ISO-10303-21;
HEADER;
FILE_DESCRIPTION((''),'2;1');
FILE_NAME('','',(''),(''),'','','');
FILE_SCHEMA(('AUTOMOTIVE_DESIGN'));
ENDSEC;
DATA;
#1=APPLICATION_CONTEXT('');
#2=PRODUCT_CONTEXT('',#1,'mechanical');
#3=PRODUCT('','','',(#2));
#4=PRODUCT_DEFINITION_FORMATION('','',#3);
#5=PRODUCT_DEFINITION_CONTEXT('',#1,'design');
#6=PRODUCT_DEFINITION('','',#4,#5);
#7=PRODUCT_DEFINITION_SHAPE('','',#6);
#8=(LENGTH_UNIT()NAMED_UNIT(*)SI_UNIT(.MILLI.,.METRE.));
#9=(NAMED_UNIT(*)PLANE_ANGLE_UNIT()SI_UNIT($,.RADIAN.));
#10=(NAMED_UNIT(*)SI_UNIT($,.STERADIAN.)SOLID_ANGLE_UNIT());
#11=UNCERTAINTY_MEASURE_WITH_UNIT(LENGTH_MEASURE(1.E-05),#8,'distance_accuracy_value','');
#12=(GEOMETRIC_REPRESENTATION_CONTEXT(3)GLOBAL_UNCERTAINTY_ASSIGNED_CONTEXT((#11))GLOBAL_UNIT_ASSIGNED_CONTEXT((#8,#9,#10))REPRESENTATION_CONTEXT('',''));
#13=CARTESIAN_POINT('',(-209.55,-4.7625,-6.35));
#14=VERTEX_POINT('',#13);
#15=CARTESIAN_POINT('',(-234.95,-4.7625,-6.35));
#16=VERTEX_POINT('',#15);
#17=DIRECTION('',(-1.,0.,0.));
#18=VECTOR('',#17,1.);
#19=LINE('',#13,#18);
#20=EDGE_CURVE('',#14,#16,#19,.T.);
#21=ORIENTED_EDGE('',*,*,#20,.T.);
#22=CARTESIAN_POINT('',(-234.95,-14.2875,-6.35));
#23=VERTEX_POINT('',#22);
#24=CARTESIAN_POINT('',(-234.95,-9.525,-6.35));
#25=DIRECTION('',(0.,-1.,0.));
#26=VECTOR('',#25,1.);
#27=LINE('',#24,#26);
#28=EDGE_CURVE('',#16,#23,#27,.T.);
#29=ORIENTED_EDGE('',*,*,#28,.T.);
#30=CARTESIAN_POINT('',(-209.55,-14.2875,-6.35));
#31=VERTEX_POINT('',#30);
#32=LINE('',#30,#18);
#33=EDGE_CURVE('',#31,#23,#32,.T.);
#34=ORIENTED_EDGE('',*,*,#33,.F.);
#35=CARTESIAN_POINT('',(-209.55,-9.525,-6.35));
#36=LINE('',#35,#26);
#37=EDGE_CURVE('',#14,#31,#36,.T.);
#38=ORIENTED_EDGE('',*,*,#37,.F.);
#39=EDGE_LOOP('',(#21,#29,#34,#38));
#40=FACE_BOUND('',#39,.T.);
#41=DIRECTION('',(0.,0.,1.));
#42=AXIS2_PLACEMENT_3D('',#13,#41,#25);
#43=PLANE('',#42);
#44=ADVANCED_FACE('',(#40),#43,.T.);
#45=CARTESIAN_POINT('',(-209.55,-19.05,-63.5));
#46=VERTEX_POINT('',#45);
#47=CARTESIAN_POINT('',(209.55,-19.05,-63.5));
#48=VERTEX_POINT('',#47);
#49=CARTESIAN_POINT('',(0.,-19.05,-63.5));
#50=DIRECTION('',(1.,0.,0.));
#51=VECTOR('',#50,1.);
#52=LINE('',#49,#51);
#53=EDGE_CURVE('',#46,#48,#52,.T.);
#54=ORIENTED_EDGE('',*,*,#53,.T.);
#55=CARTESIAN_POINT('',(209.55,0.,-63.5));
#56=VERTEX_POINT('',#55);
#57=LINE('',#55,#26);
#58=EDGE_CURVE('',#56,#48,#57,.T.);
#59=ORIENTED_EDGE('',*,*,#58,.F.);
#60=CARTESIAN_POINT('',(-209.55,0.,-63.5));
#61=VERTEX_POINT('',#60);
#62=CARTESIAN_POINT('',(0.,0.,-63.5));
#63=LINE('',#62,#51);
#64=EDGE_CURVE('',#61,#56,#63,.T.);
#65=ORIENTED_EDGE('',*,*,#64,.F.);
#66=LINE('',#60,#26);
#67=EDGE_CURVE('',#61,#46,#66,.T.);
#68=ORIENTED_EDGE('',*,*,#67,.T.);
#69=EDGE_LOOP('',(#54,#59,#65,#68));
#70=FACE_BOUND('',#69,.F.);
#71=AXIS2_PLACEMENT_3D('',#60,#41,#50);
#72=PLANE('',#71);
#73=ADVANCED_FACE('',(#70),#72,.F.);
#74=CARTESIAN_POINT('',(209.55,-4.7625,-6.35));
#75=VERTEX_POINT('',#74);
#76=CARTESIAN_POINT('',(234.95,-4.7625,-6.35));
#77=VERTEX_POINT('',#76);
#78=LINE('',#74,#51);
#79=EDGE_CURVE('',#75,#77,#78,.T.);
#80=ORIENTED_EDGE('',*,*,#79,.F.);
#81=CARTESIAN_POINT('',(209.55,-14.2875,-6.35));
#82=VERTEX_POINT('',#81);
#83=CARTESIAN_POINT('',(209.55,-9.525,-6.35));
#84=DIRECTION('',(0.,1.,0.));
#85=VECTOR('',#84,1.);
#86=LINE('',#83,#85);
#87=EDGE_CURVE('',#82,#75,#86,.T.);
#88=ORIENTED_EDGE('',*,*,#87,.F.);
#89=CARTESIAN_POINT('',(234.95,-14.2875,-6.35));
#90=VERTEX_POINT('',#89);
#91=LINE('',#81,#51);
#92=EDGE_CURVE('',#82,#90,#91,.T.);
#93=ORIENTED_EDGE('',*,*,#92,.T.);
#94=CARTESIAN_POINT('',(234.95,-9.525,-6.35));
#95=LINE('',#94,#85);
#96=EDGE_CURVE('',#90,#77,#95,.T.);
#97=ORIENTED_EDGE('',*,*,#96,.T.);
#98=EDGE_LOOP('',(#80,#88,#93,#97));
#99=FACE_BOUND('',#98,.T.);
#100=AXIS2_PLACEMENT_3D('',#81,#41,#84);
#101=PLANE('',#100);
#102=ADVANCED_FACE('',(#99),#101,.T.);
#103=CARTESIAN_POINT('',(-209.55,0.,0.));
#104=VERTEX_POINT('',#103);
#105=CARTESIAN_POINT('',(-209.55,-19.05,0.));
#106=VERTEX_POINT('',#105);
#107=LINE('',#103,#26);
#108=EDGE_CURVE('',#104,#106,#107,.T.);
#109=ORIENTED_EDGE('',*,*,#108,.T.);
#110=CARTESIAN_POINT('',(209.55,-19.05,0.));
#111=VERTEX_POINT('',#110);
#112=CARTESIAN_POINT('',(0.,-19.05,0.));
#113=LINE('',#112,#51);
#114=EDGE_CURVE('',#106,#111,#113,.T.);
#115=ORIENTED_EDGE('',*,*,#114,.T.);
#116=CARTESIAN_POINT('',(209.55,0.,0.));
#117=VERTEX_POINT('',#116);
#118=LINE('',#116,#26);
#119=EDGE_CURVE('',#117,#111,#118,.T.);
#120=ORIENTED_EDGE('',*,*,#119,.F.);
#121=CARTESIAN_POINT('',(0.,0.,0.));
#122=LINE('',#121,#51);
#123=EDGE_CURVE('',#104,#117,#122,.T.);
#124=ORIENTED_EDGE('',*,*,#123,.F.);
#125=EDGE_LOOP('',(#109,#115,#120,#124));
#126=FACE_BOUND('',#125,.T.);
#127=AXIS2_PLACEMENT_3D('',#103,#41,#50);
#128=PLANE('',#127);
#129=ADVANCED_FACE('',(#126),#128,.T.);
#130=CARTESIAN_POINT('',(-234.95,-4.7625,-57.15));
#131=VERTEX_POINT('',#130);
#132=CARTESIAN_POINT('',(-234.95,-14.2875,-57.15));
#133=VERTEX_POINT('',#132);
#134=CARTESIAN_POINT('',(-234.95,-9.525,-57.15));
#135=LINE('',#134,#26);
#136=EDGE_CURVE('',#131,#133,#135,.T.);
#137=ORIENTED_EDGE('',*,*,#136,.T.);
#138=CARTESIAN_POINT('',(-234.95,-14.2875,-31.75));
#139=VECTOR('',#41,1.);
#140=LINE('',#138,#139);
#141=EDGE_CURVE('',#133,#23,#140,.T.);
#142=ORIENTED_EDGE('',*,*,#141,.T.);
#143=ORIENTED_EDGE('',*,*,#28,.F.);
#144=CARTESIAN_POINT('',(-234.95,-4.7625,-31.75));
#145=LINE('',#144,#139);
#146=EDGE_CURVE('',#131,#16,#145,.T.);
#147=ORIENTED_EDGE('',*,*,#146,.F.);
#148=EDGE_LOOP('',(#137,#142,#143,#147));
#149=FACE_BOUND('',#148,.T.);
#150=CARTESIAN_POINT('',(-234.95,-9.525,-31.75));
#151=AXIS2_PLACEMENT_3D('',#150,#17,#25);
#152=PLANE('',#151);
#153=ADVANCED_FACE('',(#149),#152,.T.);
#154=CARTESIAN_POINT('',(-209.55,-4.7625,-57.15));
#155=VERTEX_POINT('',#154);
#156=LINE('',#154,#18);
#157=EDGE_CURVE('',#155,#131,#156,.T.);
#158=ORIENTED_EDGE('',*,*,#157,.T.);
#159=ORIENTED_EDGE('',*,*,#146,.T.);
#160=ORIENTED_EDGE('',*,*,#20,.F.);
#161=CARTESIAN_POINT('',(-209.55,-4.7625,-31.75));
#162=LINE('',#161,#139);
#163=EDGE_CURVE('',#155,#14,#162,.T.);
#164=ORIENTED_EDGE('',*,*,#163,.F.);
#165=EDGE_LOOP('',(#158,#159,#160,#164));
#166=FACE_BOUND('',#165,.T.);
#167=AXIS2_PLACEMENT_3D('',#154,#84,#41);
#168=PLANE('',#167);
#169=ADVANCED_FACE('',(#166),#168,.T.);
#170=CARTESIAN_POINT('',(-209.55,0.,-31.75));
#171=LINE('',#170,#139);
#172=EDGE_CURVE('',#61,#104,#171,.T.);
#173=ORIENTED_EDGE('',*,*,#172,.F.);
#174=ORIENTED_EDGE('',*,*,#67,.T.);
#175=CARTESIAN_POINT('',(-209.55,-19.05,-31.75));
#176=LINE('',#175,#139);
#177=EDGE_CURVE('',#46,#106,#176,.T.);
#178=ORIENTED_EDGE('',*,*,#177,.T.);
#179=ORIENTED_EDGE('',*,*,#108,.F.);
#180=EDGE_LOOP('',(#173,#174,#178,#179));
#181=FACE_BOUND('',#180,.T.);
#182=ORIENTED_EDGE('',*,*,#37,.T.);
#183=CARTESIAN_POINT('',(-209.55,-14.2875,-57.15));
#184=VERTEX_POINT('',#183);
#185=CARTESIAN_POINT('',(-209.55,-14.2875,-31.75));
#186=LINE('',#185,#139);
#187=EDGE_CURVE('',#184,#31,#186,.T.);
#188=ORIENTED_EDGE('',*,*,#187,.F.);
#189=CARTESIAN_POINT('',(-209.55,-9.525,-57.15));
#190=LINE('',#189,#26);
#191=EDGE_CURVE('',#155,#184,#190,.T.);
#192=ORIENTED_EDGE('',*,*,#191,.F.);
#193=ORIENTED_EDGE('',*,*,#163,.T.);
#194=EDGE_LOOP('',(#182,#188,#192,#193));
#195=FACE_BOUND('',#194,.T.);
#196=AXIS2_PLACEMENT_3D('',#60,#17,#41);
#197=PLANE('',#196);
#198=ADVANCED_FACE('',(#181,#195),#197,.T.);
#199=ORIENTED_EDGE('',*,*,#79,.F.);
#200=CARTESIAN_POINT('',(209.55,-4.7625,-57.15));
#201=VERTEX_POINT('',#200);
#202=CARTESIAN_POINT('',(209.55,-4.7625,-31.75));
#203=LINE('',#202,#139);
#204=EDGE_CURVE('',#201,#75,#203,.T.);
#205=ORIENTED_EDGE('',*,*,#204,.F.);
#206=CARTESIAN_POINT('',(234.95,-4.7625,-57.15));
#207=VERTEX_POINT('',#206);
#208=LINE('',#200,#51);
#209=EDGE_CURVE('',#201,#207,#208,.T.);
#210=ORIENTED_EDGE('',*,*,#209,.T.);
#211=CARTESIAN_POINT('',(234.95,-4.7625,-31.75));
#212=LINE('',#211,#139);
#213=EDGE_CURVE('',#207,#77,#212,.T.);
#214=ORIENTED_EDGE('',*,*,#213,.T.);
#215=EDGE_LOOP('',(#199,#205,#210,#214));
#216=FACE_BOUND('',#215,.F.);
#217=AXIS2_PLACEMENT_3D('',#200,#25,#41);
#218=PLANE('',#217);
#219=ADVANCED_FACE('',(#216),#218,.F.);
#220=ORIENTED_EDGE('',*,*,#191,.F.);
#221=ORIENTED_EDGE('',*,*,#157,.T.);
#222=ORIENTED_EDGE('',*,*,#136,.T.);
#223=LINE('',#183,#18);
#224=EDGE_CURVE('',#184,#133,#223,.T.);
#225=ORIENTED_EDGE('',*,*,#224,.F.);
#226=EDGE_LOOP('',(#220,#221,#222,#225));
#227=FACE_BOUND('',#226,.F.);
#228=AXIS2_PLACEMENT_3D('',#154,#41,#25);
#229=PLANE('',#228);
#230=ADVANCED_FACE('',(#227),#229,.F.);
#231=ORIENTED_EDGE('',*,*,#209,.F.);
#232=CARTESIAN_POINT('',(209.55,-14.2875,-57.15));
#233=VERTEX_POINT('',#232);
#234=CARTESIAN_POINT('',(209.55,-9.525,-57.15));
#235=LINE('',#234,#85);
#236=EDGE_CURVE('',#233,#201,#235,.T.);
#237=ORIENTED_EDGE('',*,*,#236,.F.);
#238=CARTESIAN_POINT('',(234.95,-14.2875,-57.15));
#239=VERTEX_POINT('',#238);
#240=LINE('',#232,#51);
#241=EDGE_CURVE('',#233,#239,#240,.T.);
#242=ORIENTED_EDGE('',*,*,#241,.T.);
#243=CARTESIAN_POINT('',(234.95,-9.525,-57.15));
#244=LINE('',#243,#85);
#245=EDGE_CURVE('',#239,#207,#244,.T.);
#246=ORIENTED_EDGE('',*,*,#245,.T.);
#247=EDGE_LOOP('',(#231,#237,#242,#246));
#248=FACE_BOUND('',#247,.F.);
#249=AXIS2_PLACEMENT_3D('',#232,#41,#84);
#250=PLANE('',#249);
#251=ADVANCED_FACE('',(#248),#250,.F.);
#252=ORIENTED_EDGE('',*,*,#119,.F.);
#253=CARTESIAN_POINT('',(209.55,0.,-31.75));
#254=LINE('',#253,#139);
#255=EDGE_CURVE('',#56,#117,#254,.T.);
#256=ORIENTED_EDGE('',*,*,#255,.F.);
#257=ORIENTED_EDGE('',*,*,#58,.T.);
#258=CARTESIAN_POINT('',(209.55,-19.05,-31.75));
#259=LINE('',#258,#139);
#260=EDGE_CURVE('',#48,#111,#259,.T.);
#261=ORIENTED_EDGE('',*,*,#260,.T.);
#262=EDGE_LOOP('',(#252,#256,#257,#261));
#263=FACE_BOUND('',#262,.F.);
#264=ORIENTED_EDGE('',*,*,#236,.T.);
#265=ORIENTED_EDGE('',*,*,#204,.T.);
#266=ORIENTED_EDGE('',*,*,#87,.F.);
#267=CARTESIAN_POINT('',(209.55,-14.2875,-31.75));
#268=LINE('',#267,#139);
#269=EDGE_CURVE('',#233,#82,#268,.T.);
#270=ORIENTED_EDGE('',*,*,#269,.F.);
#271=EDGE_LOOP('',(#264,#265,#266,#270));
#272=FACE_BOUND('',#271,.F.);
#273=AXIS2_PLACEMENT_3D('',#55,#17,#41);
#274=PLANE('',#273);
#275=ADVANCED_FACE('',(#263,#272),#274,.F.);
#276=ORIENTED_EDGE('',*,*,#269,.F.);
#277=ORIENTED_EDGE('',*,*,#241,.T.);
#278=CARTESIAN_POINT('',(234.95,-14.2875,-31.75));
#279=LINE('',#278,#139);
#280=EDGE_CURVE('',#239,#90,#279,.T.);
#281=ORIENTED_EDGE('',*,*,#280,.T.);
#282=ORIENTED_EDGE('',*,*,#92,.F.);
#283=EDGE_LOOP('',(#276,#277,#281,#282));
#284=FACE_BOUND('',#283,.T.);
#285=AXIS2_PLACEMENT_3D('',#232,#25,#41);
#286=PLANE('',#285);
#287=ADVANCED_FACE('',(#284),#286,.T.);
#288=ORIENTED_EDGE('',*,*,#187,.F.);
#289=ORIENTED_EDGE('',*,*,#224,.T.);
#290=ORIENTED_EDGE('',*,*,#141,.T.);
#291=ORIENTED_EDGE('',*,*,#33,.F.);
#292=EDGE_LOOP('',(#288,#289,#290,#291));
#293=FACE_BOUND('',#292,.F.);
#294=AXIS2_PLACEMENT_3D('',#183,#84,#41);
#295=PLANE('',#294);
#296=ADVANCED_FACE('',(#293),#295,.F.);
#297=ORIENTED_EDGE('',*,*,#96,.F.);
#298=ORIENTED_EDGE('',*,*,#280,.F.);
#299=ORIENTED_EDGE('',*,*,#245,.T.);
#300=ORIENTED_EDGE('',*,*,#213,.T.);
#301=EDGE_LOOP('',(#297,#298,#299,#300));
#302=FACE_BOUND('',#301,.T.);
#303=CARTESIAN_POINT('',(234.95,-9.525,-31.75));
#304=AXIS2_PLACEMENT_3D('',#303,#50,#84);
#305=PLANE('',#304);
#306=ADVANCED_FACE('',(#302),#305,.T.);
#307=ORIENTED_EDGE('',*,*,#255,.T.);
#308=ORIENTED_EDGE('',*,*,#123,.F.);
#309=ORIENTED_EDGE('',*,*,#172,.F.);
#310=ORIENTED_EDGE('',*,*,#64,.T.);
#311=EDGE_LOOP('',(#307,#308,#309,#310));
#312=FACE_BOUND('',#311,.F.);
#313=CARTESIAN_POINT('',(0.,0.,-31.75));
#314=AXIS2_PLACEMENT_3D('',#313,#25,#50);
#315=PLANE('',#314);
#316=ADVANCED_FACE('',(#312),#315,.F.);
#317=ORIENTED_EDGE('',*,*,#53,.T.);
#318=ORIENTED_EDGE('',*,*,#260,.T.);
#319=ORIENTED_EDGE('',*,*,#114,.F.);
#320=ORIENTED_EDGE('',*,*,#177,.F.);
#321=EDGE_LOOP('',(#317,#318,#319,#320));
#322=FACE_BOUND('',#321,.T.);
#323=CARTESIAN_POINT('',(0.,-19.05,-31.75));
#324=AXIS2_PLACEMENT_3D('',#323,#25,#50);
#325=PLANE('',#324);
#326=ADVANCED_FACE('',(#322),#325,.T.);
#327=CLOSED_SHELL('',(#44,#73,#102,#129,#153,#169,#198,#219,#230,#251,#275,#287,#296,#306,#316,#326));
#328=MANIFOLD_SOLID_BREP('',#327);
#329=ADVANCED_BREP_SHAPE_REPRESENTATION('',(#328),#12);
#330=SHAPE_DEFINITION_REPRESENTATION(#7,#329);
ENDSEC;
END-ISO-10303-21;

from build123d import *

# Parameters (mm, degrees)
F0_W     = 419.1
F0_H     = 63.5
F1_DEPTH = 19.05
F2_W     = 9.525
F2_H     = 50.8
F3_DEPTH = 25.4
F4_W     = 9.525
F4_H     = 50.8
F5_DEPTH = 25.4


with BuildPart() as f1:
    # F0 (on Front) → F1 (new body)
    with BuildSketch(Plane.XZ):
        with Locations((0, -31.75)):
            Rectangle(F0_W, F0_H)
    extrude(amount=F1_DEPTH)

    # F2 (on face) → F3 (join)
    with BuildSketch(Plane.YZ.offset(209.55)):
        with Locations((-9.525, -31.75)):
            Rectangle(F2_W, F2_H)
    extrude(amount=F3_DEPTH)

    # F4 (on face) → F5 (join)
    with BuildSketch(Plane(origin=(-209.55, 0, 0), x_dir=(0, -1, 0), z_dir=(-1, 0, 0))):
        with Locations((9.525, -31.75)):
            Rectangle(F4_W, F4_H)
    extrude(amount=F5_DEPTH)


solid = f1.part
